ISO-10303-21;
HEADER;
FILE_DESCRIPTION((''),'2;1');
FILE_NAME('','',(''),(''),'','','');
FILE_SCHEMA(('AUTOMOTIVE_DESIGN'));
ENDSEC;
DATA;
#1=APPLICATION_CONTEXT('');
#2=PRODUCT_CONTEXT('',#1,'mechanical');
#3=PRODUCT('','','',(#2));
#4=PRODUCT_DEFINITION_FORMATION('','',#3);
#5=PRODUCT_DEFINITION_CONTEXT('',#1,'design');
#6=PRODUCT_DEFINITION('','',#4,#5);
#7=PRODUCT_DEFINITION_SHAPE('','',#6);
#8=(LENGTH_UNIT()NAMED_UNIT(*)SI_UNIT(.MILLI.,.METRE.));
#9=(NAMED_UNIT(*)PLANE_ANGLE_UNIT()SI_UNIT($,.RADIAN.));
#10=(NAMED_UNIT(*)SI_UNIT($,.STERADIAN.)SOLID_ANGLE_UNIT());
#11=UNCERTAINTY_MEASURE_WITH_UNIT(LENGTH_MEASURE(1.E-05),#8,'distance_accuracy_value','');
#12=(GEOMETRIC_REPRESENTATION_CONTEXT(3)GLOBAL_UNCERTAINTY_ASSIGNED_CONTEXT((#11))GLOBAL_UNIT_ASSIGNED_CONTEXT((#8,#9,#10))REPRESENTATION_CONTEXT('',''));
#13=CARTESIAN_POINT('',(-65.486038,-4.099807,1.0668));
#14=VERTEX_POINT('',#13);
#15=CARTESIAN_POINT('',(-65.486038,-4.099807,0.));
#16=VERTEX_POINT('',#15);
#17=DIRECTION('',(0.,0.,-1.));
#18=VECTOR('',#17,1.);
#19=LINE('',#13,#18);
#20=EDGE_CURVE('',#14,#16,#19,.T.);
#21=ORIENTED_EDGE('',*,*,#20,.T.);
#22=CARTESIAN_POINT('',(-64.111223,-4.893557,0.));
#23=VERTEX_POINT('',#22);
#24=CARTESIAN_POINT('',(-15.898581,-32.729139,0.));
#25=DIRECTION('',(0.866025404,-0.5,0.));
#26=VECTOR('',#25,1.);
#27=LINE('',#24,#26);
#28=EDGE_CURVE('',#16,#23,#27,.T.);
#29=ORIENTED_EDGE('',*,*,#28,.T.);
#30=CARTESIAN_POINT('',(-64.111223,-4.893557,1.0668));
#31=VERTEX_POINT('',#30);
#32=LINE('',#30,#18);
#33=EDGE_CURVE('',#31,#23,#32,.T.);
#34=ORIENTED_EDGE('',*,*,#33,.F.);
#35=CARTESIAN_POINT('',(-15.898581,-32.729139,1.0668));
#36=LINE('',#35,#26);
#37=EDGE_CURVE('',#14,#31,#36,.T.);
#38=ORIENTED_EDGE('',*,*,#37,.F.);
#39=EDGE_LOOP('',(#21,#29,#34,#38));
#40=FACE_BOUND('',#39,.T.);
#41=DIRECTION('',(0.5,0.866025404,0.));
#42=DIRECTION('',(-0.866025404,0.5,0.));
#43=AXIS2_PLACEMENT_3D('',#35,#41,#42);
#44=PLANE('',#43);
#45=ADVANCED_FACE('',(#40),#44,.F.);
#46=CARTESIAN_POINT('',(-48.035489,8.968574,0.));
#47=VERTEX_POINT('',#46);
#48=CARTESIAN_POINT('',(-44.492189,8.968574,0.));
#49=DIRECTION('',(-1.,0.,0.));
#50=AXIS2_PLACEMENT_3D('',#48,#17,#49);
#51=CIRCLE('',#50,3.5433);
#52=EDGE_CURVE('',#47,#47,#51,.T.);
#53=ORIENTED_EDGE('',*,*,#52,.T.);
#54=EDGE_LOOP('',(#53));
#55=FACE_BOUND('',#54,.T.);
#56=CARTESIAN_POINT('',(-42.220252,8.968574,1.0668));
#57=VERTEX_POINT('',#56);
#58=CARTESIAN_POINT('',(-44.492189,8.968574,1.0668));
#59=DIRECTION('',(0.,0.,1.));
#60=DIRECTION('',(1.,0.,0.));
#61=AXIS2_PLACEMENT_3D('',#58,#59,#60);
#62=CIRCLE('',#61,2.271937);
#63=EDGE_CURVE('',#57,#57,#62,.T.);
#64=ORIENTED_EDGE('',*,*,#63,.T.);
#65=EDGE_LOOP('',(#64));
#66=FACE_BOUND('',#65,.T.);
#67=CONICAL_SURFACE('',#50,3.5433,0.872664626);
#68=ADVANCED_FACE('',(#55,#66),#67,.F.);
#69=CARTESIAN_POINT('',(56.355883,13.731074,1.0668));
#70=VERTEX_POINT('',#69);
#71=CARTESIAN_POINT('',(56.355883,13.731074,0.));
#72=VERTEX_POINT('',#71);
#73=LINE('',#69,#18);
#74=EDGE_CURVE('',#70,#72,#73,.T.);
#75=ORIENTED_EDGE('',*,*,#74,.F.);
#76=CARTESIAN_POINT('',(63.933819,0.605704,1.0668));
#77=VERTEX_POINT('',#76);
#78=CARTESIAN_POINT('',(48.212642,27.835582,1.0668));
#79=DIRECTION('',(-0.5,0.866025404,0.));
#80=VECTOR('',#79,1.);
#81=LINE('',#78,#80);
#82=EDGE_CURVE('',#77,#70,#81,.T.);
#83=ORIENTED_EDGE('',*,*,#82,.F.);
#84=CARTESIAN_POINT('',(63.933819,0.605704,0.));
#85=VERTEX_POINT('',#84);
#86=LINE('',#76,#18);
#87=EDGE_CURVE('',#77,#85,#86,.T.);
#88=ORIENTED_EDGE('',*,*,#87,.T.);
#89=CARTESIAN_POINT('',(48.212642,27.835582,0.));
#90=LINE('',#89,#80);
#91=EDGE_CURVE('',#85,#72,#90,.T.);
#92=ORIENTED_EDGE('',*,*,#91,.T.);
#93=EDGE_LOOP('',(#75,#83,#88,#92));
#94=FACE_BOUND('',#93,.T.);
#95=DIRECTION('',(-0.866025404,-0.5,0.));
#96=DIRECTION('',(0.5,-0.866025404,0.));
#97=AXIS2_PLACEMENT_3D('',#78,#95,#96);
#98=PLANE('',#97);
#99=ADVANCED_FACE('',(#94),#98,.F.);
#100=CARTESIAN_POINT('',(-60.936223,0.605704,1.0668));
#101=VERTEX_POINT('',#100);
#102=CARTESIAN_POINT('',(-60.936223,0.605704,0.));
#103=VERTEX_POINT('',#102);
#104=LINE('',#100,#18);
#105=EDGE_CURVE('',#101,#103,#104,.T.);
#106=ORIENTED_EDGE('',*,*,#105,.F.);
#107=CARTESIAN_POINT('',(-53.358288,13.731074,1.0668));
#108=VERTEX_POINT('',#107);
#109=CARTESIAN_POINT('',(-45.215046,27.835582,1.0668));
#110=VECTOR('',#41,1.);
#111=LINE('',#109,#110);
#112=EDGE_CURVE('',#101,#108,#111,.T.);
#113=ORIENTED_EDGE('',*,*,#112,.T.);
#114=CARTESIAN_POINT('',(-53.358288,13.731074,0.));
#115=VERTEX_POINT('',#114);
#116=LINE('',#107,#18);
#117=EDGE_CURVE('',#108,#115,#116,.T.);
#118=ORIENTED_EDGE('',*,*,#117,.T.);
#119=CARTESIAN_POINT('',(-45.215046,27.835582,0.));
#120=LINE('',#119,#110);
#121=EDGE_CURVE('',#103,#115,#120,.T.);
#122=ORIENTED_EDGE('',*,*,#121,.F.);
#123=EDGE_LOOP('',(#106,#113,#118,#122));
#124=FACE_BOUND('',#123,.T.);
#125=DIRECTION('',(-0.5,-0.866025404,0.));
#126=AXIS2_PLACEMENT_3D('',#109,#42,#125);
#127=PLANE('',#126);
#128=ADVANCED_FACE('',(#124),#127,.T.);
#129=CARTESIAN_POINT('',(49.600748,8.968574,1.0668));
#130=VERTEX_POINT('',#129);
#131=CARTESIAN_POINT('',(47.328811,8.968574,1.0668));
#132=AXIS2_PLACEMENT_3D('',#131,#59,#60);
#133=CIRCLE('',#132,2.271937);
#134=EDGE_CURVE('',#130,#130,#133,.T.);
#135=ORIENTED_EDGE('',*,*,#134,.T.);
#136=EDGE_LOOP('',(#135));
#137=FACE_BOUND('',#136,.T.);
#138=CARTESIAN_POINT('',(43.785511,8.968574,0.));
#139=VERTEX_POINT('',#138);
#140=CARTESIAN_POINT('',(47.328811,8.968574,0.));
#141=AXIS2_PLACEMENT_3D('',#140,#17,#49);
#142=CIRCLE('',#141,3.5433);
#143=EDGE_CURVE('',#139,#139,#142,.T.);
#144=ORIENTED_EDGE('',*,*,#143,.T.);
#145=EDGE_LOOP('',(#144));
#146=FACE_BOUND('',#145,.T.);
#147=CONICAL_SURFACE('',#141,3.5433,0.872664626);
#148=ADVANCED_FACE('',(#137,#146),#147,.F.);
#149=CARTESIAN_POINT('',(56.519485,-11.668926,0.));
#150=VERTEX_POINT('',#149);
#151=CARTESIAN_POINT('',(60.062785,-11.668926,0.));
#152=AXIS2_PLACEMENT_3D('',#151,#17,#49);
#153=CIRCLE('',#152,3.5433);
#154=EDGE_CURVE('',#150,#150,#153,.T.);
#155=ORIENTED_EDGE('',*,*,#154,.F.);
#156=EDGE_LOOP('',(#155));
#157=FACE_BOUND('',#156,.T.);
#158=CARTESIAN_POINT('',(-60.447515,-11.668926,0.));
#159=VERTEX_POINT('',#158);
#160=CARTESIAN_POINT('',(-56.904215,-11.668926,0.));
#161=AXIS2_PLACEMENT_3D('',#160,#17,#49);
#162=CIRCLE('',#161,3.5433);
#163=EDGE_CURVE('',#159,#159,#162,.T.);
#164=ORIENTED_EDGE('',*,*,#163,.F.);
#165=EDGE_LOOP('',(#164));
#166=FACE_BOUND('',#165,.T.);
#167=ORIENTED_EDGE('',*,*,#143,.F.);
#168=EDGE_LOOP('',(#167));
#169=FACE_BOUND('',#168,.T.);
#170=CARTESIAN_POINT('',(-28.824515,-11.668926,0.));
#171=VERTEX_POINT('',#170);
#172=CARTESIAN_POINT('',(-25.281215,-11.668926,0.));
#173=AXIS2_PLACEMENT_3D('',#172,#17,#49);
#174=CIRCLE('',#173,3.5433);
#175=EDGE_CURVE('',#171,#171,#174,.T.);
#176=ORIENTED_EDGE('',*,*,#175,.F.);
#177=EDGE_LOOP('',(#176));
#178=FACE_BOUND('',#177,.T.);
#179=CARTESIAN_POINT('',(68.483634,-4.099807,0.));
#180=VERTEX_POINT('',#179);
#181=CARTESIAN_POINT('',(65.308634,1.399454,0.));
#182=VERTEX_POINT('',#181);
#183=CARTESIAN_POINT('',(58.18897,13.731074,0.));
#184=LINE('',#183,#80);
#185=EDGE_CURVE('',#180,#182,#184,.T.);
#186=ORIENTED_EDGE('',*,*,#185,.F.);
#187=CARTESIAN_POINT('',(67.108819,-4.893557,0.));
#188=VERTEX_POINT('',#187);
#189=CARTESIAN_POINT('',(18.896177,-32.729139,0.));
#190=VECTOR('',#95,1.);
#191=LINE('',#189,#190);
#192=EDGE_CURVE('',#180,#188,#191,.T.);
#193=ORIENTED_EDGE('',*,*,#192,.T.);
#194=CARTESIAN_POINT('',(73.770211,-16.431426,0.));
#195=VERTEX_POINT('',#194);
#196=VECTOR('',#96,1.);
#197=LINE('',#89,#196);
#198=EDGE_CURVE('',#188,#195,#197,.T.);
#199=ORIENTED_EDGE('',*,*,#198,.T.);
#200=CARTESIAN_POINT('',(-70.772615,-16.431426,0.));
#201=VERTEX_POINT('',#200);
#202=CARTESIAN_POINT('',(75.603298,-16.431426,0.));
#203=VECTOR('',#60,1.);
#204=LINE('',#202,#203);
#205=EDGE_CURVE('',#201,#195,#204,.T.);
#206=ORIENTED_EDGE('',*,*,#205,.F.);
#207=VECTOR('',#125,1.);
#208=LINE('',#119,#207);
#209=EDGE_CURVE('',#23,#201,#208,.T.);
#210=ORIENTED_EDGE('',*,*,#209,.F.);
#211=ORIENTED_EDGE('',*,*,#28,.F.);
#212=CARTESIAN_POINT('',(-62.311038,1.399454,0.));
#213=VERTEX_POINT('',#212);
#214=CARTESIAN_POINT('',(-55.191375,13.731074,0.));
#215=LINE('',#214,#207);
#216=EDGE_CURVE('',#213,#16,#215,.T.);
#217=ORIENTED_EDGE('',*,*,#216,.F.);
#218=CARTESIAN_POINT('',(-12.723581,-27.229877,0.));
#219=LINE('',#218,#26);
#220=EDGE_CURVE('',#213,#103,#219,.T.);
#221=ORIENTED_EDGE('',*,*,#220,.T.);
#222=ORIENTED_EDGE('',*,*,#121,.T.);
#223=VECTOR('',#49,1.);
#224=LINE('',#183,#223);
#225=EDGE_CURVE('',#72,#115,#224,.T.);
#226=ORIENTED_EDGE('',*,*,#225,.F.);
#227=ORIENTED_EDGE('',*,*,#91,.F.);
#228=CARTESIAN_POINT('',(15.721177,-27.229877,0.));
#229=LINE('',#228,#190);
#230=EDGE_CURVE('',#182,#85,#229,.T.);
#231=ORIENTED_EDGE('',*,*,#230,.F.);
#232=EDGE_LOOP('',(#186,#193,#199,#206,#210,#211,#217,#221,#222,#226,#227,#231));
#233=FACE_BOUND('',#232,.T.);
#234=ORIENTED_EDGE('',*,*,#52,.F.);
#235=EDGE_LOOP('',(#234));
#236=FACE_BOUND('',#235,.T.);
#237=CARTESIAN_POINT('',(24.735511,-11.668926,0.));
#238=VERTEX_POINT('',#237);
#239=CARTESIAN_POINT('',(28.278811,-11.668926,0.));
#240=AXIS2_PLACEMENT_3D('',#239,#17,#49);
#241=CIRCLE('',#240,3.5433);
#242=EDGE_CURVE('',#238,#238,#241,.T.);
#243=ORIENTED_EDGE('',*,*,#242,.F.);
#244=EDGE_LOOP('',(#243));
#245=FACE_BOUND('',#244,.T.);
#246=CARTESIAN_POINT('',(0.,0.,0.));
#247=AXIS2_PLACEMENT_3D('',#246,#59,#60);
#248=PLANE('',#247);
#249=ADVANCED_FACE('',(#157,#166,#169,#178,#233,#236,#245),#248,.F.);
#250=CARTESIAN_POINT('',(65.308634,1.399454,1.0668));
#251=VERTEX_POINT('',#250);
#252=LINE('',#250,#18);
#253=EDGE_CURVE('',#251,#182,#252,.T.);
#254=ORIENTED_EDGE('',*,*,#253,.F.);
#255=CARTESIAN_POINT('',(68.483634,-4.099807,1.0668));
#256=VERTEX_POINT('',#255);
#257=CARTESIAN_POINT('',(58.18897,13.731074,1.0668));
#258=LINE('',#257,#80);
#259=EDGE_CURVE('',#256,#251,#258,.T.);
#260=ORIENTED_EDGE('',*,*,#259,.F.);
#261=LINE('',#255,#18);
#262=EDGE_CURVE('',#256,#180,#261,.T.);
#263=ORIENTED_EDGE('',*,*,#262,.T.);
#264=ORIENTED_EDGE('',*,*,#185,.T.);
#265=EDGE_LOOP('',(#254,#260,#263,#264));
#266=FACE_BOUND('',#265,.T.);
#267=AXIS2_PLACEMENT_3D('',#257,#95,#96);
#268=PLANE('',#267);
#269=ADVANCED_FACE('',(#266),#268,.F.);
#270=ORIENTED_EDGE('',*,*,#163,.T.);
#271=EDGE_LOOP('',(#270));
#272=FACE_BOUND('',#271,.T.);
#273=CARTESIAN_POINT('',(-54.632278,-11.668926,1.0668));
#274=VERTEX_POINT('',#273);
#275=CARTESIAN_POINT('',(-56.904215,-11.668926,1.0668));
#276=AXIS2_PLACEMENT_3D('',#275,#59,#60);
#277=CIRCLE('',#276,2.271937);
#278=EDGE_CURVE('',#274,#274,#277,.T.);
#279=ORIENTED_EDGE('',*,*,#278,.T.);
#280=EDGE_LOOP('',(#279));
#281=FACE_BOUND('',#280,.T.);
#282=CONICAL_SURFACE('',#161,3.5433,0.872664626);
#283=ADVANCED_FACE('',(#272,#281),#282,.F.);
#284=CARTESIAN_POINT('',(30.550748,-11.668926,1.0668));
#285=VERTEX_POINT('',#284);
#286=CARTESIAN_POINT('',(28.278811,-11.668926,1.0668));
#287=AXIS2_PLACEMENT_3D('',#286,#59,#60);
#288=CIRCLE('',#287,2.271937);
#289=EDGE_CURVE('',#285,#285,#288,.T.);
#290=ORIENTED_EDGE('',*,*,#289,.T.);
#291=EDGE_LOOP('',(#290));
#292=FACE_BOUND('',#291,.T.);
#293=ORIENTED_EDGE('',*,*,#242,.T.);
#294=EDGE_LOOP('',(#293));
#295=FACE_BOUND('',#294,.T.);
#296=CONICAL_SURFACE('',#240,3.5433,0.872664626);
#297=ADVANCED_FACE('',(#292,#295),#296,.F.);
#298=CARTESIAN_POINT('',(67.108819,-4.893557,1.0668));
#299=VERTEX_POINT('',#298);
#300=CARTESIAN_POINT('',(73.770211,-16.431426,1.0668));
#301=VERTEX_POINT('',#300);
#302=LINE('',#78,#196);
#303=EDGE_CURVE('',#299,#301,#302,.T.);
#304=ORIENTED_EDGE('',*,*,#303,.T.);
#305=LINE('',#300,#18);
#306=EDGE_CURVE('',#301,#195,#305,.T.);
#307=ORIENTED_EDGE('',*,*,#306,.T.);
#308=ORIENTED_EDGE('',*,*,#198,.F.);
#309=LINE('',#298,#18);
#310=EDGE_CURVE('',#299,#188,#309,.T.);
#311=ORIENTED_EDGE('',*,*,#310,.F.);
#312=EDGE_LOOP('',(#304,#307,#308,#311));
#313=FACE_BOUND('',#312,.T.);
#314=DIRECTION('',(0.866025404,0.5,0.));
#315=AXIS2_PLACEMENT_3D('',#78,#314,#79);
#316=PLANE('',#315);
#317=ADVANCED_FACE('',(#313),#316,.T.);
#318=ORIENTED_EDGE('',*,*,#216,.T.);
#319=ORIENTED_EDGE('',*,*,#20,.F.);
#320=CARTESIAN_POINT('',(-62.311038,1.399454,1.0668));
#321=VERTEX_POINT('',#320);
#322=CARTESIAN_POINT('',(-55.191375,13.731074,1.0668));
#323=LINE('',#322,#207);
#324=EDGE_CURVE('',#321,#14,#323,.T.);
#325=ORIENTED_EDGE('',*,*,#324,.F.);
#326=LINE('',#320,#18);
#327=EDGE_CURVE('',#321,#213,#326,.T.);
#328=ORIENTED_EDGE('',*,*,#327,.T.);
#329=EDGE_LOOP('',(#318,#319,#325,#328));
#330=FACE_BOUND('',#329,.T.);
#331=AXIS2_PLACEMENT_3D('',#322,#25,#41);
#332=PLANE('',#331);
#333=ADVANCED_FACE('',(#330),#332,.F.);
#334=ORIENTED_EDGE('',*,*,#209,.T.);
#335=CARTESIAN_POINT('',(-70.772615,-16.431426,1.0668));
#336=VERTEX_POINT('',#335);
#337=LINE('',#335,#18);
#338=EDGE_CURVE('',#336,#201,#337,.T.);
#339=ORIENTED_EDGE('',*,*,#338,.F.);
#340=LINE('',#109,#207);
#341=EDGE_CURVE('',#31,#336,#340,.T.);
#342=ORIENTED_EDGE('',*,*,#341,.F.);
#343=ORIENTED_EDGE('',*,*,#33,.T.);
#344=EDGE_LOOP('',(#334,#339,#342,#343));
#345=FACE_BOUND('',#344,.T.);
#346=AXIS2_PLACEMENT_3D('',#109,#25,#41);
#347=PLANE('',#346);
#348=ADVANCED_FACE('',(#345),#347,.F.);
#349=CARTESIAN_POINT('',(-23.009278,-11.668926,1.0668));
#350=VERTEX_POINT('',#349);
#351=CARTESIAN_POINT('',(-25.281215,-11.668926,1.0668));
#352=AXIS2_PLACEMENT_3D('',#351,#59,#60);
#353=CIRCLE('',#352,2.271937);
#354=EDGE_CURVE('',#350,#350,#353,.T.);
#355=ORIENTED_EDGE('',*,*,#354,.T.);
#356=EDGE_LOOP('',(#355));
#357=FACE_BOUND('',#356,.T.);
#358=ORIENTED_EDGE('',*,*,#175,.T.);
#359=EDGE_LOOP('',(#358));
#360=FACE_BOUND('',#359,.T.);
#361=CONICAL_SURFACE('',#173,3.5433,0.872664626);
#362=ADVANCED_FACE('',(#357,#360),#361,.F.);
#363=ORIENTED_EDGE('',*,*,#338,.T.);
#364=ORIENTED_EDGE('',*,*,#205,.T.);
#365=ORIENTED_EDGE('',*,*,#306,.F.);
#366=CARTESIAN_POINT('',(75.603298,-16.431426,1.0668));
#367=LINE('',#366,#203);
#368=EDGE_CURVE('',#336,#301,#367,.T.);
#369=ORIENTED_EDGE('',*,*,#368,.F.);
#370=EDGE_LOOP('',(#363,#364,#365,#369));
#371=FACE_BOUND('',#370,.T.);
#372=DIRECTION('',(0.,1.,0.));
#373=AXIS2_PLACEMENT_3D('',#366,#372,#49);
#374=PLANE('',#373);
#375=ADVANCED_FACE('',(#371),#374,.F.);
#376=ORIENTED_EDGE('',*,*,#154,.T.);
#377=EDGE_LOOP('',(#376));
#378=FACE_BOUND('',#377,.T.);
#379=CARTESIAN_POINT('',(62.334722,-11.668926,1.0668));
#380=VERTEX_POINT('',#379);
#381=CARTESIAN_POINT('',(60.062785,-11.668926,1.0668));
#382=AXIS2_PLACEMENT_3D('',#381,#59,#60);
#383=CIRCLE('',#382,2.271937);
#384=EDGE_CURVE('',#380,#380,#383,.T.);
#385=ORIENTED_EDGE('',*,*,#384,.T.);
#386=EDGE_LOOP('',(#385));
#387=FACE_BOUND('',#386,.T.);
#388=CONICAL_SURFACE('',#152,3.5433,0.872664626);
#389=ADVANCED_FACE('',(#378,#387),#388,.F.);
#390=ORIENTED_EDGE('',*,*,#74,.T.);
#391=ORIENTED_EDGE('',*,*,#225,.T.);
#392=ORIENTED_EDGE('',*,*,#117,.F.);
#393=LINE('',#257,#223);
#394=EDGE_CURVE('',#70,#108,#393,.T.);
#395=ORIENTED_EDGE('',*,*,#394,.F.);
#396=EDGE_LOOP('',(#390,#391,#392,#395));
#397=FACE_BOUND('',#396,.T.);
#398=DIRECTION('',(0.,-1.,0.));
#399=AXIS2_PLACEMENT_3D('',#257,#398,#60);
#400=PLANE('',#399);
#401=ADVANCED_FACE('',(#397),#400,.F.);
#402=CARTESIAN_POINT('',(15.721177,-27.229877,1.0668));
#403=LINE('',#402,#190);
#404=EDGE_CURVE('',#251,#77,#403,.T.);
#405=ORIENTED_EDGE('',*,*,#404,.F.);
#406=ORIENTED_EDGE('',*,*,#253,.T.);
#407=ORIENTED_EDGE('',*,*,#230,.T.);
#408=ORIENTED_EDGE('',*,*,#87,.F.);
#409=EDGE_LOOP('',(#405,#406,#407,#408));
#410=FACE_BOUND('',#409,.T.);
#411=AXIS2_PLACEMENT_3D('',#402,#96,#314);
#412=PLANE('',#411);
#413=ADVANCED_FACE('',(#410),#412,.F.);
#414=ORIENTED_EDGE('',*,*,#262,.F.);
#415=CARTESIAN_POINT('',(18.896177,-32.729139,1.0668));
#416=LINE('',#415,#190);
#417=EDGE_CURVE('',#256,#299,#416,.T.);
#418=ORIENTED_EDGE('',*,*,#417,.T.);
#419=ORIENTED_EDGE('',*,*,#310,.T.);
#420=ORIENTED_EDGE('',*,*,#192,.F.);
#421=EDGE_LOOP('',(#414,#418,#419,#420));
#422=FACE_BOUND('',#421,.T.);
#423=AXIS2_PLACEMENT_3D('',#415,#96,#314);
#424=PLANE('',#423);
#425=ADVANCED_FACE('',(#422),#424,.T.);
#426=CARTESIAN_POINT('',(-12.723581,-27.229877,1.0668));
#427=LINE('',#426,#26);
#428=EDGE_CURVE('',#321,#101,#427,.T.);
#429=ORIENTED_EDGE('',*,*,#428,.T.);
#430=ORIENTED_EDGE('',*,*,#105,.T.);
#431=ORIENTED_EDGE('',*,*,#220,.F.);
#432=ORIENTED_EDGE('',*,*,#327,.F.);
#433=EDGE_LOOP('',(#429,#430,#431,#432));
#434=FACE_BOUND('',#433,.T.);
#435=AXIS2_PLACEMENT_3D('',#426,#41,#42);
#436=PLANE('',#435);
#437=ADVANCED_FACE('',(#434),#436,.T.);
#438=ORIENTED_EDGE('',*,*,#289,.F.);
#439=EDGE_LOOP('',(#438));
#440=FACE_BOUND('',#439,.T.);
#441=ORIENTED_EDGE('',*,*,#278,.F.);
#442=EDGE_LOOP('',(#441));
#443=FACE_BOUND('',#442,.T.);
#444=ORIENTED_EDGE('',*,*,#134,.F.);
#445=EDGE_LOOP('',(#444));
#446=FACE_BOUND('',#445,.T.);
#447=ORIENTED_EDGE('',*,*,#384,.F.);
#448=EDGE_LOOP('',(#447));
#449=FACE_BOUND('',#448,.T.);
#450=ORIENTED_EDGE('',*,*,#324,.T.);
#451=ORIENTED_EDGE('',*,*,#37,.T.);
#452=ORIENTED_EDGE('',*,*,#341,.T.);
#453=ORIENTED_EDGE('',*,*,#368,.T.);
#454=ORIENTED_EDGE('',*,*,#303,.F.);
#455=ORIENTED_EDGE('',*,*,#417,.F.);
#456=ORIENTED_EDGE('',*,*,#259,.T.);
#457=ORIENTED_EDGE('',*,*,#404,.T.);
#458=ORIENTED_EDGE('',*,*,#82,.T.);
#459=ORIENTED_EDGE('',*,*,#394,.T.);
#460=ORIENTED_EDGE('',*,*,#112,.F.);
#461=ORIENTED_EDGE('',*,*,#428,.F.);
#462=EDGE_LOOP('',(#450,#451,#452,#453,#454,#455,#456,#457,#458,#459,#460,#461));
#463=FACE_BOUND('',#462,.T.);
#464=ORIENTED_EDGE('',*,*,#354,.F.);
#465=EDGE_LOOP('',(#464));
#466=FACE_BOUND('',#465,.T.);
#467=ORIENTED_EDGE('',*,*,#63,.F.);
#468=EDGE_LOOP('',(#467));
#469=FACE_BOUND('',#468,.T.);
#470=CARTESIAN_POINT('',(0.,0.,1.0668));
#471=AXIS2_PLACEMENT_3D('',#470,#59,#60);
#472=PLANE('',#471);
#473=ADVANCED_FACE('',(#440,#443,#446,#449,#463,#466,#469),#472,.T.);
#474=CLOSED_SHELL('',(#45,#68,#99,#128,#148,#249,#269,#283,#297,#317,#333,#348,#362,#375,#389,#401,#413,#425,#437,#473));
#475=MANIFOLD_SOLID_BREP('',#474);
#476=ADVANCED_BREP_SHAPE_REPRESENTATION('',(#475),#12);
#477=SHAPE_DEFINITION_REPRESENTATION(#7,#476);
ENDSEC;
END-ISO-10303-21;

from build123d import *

# Parameters (mm, degrees)
BOSS_EXTRUDE1_DEPTH                       = 1.0668
CSK_FOR_6_FLAT_HEAD_MACHINE_SCREW_2_COUNT = 2
CSK_FOR_6_FLAT_HEAD_MACHINE_SCREW_2_PITCH = 75.64076181
CSK_FOR_6_FLAT_HEAD_MACHINE_SCREW_3_COUNT = 2
CSK_FOR_6_FLAT_HEAD_MACHINE_SCREW_3_PITCH = 28.085742046
CSK_FOR_6_FLAT_HEAD_MACHINE_SCREW_4_COUNT = 2
CSK_FOR_6_FLAT_HEAD_MACHINE_SCREW_4_PITCH = 31.783974209
CSK_FOR_6_FLAT_HEAD_MACHINE_SCREW_5_COUNT = 2
CSK_FOR_6_FLAT_HEAD_MACHINE_SCREW_5_PITCH = 85.183025791
CSK_FOR_6_FLAT_HEAD_MACHINE_SCREW_6_COUNT = 2
CSK_FOR_6_FLAT_HEAD_MACHINE_SCREW_6_PITCH = 53.560025791
CUT_EXTRUDE1_DEPTH                        = 78.375632316


with BuildPart() as part:
    # Sketch1 → Boss-Extrude1 (new body)
    with BuildSketch(Plane.XY):
        Polygon((-55.191374672, 13.731073684), (-72.605702167, -16.431426316), (75.603297833, -16.431426316), (58.188970339, 13.731073684), align=None)
    extrude(amount=BOSS_EXTRUDE1_DEPTH)

    # Sketch2 → CSK for #6 Flat Head Machine Screw (100)1 (revolve, cut)
    with BuildSketch(Plane(origin=(28.278810729, -11.668926316, 0), x_dir=(0, 1, 0), z_dir=(1, 0, 0))):
        Polygon((0, 0), (0, 1.0668), (1.89865, 1.0668), (1.89865, 1.380025208), (3.5433, 0), align=None)
    csk_for_6_flat_head_machine_screw_100 = revolve(axis=Axis((28.278810729, -11.668926316, -6.35), (0, 0, 1)), mode=Mode.SUBTRACT)

    # CSK for _6 Flat Head Machine Screw _ 2: CSK for #6 Flat Head Machine Screw (100)1 ×2
    with Locations(*[Vector(-0.9620606437367123, 0.27283569739479224, 0) * (i * CSK_FOR_6_FLAT_HEAD_MACHINE_SCREW_2_PITCH) for i in range(1, CSK_FOR_6_FLAT_HEAD_MACHINE_SCREW_2_COUNT)]):
        add(csk_for_6_flat_head_machine_screw_100, mode=Mode.SUBTRACT)

    # CSK for _6 Flat Head Machine Screw _ 3: CSK for #6 Flat Head Machine Screw (100)1 ×2
    with Locations(*[Vector(0.6782801027330659, 0.7348034446274878, 0) * (i * CSK_FOR_6_FLAT_HEAD_MACHINE_SCREW_3_PITCH) for i in range(1, CSK_FOR_6_FLAT_HEAD_MACHINE_SCREW_3_COUNT)]):
        add(csk_for_6_flat_head_machine_screw_100, mode=Mode.SUBTRACT)

    # CSK for _6 Flat Head Machine Screw _ 4: CSK for #6 Flat Head Machine Screw (100)1 ×2
    with Locations(*[(i * CSK_FOR_6_FLAT_HEAD_MACHINE_SCREW_4_PITCH, 0, 0) for i in range(1, CSK_FOR_6_FLAT_HEAD_MACHINE_SCREW_4_COUNT)]):
        add(csk_for_6_flat_head_machine_screw_100, mode=Mode.SUBTRACT)

    # CSK for _6 Flat Head Machine Screw _ 5: CSK for #6 Flat Head Machine Screw (100)1 ×2
    with Locations(*[(-i * CSK_FOR_6_FLAT_HEAD_MACHINE_SCREW_5_PITCH, 0, 0) for i in range(1, CSK_FOR_6_FLAT_HEAD_MACHINE_SCREW_5_COUNT)]):
        add(csk_for_6_flat_head_machine_screw_100, mode=Mode.SUBTRACT)

    # CSK for _6 Flat Head Machine Screw _ 6: CSK for #6 Flat Head Machine Screw (100)1 ×2
    with Locations(*[(-i * CSK_FOR_6_FLAT_HEAD_MACHINE_SCREW_6_PITCH, 0, 0) for i in range(1, CSK_FOR_6_FLAT_HEAD_MACHINE_SCREW_6_COUNT)]):
        add(csk_for_6_flat_head_machine_screw_100, mode=Mode.SUBTRACT)

    # Sketch4 → Cut-Extrude1 (cut, through all)
    with BuildSketch(Plane(origin=(0, 0, 0), x_dir=(-1, 0, 0), z_dir=(0, 0, -1))):
        Polygon((-65.308634086, 1.399454341), (-63.933818758, 0.605704341), (-56.355883234, 13.731073684), (-58.188970339, 13.731073684), align=None)
        Polygon((-68.483634086, -4.099806973), (-67.108818758, -4.893556973), (-73.770210729, -16.431426316), (-75.603297833, -16.431426316), align=None)
    cut_extrude1 = extrude(amount=-CUT_EXTRUDE1_DEPTH, mode=Mode.SUBTRACT)

    # Mirror1: Cut-Extrude1 across plane
    add(cut_extrude1.mirror(Plane.ZY.offset(-1.498797833)), mode=Mode.SUBTRACT)


solid = part.part
